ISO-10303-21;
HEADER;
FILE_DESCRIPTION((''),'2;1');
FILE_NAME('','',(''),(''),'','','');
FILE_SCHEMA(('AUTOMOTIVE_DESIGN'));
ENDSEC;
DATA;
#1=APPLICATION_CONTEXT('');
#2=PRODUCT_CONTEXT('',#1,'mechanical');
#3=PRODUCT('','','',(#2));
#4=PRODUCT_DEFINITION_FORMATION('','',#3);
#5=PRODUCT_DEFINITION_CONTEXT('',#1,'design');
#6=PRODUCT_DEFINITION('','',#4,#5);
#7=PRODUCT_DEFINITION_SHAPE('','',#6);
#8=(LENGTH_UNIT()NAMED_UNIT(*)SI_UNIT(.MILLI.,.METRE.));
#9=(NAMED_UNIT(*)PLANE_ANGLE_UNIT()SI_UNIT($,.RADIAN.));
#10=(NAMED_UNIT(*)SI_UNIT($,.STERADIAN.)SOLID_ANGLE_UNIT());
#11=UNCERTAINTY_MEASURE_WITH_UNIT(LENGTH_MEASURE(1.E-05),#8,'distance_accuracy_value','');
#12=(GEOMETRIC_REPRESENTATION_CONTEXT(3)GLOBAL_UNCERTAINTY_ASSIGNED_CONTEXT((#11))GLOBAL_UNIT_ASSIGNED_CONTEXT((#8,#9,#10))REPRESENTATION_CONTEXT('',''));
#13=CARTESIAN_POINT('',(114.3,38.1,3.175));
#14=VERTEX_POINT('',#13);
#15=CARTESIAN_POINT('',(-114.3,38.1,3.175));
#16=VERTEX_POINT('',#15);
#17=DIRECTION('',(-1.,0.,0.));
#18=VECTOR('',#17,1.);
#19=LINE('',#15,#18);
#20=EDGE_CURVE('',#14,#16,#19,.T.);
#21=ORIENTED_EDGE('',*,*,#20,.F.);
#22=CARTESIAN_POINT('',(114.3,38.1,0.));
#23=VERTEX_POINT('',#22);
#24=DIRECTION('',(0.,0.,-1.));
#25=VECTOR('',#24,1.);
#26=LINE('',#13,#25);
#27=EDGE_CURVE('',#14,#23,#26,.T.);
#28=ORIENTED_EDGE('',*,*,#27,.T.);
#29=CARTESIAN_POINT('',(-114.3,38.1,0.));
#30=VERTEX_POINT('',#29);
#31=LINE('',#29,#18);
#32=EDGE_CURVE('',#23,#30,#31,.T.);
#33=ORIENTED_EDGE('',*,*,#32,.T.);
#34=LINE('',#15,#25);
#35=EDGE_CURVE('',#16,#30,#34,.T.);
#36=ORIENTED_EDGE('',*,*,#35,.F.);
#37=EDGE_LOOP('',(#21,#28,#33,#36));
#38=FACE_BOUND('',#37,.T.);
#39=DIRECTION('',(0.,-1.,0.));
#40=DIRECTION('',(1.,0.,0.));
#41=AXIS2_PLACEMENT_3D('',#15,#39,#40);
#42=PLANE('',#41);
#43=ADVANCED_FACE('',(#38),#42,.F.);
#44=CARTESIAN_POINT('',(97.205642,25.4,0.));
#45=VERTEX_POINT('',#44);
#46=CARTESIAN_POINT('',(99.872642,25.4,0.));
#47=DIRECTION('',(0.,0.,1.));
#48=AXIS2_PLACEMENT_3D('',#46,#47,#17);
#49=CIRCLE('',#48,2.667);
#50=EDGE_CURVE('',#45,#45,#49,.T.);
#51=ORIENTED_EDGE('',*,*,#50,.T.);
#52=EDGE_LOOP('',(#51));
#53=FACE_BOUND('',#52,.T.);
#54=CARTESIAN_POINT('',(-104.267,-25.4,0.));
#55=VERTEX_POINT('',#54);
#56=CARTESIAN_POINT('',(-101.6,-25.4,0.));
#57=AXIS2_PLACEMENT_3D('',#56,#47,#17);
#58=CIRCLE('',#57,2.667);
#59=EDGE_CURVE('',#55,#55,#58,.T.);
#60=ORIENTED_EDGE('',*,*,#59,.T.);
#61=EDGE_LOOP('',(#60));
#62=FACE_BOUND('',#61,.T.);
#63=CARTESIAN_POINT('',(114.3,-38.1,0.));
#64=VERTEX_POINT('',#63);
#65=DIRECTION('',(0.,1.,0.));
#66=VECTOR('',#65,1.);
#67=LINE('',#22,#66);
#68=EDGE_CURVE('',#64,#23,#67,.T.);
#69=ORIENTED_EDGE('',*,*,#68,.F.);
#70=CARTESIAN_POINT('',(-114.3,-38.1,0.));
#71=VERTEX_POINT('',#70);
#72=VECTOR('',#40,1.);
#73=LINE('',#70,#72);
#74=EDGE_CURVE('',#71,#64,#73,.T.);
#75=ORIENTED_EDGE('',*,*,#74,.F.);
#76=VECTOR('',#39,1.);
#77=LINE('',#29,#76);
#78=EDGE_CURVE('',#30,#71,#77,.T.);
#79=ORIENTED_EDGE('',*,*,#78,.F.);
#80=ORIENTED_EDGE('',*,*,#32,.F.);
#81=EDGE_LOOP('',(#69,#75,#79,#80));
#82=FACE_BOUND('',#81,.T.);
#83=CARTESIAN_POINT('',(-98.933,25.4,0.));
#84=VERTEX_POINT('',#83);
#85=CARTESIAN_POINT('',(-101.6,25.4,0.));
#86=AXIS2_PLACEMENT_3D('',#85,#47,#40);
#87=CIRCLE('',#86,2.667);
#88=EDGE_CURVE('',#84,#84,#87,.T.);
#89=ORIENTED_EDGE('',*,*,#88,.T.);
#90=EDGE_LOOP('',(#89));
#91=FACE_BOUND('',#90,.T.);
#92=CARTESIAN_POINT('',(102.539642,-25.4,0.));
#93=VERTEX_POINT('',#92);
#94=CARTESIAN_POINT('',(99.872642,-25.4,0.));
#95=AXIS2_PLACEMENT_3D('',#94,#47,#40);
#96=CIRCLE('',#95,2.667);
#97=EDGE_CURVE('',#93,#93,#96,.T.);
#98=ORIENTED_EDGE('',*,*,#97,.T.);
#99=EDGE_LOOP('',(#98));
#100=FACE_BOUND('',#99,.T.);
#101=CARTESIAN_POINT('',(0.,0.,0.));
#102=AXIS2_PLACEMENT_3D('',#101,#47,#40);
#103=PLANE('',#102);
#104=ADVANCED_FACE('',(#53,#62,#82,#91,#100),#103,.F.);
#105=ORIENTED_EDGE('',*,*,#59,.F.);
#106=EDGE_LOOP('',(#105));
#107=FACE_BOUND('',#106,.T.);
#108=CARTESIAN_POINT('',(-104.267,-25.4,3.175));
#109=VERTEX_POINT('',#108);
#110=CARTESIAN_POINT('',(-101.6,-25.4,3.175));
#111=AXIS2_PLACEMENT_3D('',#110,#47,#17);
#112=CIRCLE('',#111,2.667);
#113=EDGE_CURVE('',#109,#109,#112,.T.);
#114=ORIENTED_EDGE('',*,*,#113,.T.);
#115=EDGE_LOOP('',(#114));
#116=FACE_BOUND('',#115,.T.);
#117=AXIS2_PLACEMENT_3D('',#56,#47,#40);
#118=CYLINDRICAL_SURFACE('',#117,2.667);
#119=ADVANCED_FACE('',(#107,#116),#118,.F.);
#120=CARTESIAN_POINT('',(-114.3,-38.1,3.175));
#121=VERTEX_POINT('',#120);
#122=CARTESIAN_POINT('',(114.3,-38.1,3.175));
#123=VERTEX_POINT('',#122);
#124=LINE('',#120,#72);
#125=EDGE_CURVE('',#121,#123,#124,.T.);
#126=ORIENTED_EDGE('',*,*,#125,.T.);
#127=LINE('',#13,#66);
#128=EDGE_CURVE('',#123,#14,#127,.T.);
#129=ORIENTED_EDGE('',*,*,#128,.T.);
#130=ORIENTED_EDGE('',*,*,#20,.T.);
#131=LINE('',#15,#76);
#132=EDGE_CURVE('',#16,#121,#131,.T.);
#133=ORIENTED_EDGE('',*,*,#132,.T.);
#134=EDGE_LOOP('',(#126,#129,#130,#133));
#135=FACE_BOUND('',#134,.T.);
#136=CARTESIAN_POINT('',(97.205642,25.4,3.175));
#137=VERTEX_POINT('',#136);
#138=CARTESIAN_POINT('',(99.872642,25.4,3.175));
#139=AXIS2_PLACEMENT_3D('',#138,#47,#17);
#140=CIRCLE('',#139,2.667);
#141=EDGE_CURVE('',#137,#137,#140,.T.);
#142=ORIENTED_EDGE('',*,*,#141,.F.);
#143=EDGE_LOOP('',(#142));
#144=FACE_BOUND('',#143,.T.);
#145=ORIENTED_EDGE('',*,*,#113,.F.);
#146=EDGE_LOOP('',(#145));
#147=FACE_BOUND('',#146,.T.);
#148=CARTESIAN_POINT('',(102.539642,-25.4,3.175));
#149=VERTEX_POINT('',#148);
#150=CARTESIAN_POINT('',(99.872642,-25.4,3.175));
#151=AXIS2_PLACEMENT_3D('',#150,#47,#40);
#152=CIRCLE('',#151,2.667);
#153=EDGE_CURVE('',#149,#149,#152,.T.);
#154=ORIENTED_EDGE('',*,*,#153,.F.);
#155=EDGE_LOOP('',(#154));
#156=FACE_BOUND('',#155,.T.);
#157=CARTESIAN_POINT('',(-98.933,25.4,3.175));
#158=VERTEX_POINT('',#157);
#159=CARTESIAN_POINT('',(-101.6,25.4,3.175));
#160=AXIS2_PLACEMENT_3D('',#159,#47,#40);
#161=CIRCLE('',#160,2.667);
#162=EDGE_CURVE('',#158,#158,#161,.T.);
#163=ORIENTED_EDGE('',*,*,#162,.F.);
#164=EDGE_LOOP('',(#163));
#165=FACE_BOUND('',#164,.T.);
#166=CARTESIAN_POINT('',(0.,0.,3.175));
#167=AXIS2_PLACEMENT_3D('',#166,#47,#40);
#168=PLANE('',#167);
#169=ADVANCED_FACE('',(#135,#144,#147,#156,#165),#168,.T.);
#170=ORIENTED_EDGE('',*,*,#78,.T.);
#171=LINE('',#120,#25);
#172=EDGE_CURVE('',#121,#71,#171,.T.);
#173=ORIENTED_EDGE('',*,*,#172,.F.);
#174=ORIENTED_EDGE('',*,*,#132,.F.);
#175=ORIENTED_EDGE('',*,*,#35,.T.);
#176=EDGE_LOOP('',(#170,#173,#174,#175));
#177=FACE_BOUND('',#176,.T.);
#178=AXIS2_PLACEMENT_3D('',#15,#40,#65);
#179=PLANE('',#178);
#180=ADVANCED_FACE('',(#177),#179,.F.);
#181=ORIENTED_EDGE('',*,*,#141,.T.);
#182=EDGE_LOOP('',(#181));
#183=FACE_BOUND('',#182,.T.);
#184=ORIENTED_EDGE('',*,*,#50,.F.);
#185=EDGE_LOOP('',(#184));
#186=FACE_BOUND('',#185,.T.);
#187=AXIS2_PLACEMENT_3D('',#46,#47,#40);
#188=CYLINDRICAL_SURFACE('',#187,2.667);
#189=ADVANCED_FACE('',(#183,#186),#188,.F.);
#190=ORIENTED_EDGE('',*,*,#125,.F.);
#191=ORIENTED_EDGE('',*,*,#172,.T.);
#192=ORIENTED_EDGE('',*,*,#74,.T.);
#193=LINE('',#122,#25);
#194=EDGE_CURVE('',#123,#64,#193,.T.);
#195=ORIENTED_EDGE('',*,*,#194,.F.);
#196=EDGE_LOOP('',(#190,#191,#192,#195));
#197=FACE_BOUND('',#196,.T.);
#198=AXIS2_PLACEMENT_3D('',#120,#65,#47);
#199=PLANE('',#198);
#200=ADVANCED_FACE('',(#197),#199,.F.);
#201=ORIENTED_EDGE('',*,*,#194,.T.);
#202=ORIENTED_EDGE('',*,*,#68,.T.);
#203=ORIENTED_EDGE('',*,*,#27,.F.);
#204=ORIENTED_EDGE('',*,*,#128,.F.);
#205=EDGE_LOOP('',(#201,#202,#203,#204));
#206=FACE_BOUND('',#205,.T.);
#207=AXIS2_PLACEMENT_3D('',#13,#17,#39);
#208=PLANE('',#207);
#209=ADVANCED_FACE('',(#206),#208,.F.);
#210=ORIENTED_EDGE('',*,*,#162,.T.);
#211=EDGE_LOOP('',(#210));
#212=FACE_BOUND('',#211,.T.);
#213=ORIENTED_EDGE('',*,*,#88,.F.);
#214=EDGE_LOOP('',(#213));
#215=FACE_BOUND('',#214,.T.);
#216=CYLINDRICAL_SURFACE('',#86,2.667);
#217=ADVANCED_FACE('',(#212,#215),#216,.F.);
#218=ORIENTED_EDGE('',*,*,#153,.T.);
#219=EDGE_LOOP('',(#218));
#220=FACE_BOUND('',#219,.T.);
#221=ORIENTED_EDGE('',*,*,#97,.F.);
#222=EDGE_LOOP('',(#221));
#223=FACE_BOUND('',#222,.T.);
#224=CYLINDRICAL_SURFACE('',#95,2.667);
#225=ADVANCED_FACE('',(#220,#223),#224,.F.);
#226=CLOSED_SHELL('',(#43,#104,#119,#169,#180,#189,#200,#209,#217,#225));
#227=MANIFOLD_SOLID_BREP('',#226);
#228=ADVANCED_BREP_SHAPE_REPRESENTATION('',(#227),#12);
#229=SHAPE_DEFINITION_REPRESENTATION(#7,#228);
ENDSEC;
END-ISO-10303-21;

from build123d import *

# Parameters (mm, degrees)
SKETCH1_W           = 228.6
SKETCH1_H           = 76.2
BOSS_EXTRUDE1_DEPTH = 3.175
SKETCH3_R           = 2.667
CUT_EXTRUDE2_DEPTH  = 3.175


with BuildPart() as part:
    # Sketch1 → Boss-Extrude1 (new body)
    with BuildSketch(Plane.XY):
        Rectangle(SKETCH1_W, SKETCH1_H)
    extrude(amount=BOSS_EXTRUDE1_DEPTH)

    # Sketch3 → Cut-Extrude2 (cut)
    with BuildSketch(Plane.XY.offset(3.175)):
        with Locations((-101.6, 25.4)):
            Circle(SKETCH3_R)
        with Locations(Location((-101.6, -25.4, 0), (0, 0, 180))):
            Circle(SKETCH3_R)
        with Locations((99.872641584, -25.4)):
            Circle(SKETCH3_R)
        with Locations(Location((99.872641584, 25.4, 0), (0, 0, 180))):
            Circle(SKETCH3_R)
    extrude(amount=-CUT_EXTRUDE2_DEPTH, mode=Mode.SUBTRACT)


solid = part.part
